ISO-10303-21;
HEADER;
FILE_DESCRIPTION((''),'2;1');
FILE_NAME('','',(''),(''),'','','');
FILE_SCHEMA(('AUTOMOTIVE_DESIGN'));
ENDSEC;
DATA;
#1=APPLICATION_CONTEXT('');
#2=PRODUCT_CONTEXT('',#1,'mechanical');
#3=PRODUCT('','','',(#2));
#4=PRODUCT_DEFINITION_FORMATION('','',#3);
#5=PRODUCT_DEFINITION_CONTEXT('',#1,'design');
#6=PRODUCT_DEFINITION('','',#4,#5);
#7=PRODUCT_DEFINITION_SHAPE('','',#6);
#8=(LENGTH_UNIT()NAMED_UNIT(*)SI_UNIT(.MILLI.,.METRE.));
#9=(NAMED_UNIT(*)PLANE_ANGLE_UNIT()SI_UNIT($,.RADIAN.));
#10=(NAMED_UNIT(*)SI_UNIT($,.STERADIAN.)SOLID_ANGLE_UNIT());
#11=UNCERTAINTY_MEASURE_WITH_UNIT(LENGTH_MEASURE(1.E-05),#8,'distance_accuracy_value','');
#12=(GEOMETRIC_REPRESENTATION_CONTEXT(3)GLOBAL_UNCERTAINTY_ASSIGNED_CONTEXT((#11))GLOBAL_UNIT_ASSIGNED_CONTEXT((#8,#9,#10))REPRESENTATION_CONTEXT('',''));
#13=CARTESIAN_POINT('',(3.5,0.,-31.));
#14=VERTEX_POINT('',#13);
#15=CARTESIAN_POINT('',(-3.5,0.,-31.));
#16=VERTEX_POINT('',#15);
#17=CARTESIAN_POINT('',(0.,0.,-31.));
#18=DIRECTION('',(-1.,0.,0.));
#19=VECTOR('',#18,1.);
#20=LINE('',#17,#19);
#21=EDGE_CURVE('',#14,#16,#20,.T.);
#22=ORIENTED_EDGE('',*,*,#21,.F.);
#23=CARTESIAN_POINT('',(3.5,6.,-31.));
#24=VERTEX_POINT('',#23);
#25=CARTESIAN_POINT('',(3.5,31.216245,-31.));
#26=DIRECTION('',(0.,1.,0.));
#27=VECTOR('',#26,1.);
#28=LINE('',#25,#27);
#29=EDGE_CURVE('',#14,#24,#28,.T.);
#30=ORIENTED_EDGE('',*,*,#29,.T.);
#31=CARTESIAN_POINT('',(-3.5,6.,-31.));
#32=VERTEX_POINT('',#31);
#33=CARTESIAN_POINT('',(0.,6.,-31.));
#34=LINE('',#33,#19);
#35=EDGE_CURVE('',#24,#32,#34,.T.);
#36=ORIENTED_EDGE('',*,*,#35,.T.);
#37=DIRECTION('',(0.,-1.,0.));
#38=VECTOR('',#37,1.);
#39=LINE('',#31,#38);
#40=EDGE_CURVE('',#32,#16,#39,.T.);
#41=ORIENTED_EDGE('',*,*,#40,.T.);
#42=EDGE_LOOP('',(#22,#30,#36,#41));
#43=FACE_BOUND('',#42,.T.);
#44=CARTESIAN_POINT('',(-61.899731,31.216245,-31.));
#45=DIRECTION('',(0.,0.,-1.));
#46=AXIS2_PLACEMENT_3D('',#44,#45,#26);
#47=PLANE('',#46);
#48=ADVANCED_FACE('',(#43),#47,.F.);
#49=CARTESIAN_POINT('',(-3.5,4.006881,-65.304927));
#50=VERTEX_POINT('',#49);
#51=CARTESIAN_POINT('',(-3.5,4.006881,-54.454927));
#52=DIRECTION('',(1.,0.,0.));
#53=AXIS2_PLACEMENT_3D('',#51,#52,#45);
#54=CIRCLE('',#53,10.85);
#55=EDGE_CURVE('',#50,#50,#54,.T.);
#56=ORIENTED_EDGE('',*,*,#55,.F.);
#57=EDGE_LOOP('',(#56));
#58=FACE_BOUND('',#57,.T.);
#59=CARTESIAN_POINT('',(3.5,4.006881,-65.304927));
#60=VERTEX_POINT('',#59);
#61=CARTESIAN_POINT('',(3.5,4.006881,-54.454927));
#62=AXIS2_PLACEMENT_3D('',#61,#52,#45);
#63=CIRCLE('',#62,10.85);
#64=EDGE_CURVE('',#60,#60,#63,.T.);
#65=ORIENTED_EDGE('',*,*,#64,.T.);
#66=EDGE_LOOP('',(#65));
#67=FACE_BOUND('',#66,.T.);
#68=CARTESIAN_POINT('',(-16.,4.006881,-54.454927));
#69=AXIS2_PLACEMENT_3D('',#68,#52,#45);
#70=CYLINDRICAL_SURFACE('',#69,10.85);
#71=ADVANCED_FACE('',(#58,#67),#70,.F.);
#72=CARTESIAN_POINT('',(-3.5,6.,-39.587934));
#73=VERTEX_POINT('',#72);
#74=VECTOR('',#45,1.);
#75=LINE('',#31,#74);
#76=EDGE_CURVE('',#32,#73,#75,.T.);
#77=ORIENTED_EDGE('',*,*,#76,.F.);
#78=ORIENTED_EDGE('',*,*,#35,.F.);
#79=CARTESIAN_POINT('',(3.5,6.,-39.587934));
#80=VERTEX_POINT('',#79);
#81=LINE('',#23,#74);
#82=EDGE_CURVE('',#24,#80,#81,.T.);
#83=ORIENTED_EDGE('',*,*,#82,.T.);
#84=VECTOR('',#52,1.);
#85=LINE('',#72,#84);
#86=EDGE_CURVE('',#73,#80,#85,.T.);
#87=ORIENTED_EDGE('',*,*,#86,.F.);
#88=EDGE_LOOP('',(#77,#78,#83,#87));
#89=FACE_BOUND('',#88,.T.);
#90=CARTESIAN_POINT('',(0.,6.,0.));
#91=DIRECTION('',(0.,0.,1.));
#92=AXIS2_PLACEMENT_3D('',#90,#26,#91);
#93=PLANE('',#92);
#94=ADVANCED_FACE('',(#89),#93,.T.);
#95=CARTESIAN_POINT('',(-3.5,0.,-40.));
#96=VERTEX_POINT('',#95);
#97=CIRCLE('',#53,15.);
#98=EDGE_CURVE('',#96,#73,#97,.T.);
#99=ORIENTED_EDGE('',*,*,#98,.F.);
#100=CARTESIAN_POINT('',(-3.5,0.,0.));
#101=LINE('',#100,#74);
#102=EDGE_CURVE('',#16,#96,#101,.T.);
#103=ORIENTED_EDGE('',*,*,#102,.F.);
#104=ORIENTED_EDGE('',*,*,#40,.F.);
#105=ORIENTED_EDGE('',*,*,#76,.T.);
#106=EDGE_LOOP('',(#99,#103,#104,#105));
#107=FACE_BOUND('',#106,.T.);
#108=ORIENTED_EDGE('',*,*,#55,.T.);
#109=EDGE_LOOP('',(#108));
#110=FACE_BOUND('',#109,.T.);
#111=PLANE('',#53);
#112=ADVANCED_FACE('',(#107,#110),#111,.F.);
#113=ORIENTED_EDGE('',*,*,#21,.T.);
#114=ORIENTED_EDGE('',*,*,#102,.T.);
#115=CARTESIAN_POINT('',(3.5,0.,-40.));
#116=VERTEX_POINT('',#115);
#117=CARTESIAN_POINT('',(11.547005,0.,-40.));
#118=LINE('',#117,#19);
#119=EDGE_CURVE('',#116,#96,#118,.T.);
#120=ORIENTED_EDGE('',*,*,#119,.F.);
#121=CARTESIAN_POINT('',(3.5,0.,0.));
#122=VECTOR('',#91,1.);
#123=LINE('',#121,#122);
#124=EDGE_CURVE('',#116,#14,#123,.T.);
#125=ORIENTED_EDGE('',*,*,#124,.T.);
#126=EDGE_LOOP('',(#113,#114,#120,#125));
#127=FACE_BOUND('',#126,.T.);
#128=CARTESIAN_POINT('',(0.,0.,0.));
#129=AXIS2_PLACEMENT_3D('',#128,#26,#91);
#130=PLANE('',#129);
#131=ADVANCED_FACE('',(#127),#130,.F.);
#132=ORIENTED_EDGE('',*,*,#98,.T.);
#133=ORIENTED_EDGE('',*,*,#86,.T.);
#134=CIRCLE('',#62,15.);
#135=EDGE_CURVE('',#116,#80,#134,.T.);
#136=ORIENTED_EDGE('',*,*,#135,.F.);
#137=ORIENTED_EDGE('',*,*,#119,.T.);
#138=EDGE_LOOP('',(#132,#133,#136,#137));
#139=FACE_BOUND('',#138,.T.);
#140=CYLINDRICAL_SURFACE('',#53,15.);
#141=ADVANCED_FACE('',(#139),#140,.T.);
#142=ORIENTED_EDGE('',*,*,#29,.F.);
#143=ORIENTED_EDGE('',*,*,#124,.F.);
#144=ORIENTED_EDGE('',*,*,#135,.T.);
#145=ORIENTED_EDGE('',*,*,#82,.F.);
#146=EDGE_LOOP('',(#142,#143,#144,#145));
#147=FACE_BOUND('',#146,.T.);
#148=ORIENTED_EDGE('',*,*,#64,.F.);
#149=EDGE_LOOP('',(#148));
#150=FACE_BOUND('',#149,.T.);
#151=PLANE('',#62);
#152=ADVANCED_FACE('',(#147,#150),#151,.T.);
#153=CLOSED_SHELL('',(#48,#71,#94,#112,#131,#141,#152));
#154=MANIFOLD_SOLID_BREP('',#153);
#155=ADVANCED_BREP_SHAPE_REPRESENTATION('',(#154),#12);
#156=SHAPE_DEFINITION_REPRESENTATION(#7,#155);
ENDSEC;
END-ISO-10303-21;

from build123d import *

# Parameters (mm, degrees)
BOSS_EXTRUDE1_DEPTH      = 6
SKETCH2_R                = 5
CUT_EXTRUDE1_DEPTH       = 107
BOSS_EXTRUDE2_DEPTH      = 3.5
BOSS_EXTRUDE2_DEPTH_BACK = 3.5
SKETCH3_R                = 15
SKETCH4_R                = 10.85
CUT_EXTRUDE2_DEPTH       = 19.5
CIRPATTERN1_COUNT        = 3
SKETCH6_R                = 5
BOSS_EXTRUDE3_DEPTH      = 34
CUT_EXTRUDE5_DEPTH       = 103.68939394
CUT_EXTRUDE5_DEPTH_BACK  = 103.68939394
SKETCH12_W               = 81.781179221
SKETCH12_H               = 82.49231991
CUT_EXTRUDE6_DEPTH       = 39.848263365
CUT_EXTRUDE6_DEPTH_BACK  = 39.848263365
SKETCH13_W               = 17.873677222
SKETCH13_H               = 13.388121455
SKETCH13_W_2             = 15.899401816
SKETCH13_H_2             = 11.800117324


with BuildPart() as part:
    # Sketch1 → Boss-Extrude1 (new body)
    with BuildSketch(Plane(origin=(0, 0, 0), x_dir=(1, 0, 0), z_dir=(0, 1, 0))):
        Polygon((-11.547005384, 40), (-40.414518843, -10), (-28.867513459, -30), (28.867513459, -30), (40.414518843, -10), (11.547005384, 40), align=None)
    extrude(amount=BOSS_EXTRUDE1_DEPTH)

    # Sketch2 → Cut-Extrude1 (cut)
    with BuildSketch(Plane(origin=(0, 6, 0), x_dir=(1, 0, 0), z_dir=(0, 1, 0))):
        Circle(SKETCH2_R)
    extrude(amount=-CUT_EXTRUDE1_DEPTH, mode=Mode.SUBTRACT)

    # Sketch3 → Boss-Extrude2 (add, two sides: drawn at the far end of the back side and taken through both)
    with BuildSketch(Plane(origin=(0, 0, 0), x_dir=(0, 0, -1), z_dir=(1, 0, 0)).offset(-BOSS_EXTRUDE2_DEPTH_BACK)):
        with Locations((54.454926612, 4.00688116)):
            Circle(SKETCH3_R)
    extrude(amount=BOSS_EXTRUDE2_DEPTH + BOSS_EXTRUDE2_DEPTH_BACK)

    # Sketch4 → Cut-Extrude2 (cut)
    with BuildSketch(Plane(origin=(3.5, 0, 0), x_dir=(0, 0, -1), z_dir=(1, 0, 0))):
        with Locations((54.454926612, 4.00688116)):
            Circle(SKETCH4_R)
    extrude(amount=-CUT_EXTRUDE2_DEPTH, mode=Mode.SUBTRACT)


with BuildPart() as cirpattern1_1:
    # CirPattern1: pattern copy
    add(part.part.rotate(Axis((0, -101, 0), (0, 1, 0)), 1 * 360 / CIRPATTERN1_COUNT))


with BuildPart() as cirpattern1_2:
    # CirPattern1: pattern copy
    add(part.part.rotate(Axis((0, -101, 0), (0, 1, 0)), 2 * 360 / CIRPATTERN1_COUNT))


with BuildPart() as part_1:
    add(part.part)

    add(cirpattern1_1.part)  # Boss-Extrude3 merges CirPattern1_1

    add(cirpattern1_2.part)  # Boss-Extrude3 merges CirPattern1_2
    # Sketch6 → Boss-Extrude3 (add)
    with BuildSketch(Plane(origin=(0, 6, 0), x_dir=(1, 0, 0), z_dir=(0, 1, 0))):
        Circle(SKETCH6_R)
    extrude(amount=-BOSS_EXTRUDE3_DEPTH)


with BuildPart() as body_2:
    # Sketch8 → Revolve1 (revolve)
    with BuildSketch(Plane(origin=(0, -28, 0), x_dir=(-1, 0, 0), z_dir=(0, -1, 0))):
        with BuildLine():
            Line((0, 10), (0, -10))
            ThreePointArc((0, -10), (10, 0), (0, 10))
        make_face()
    revolve(axis=Axis((0, -28, 0), (0, 0, -1)))


with BuildPart() as cut_extrude5_tool:
    # Sketch12 → Cut-Extrude5 (new, two sides: drawn at the far end of the back side and taken through both)
    with BuildSketch(Plane(origin=(3.5, 0, 0), x_dir=(0, 0, -1), z_dir=(1, 0, 0)).offset(-CUT_EXTRUDE5_DEPTH_BACK)):
        with Locations((-9.89058961, -10.029914937)):
            Rectangle(SKETCH12_W, SKETCH12_H)
    extrude(amount=CUT_EXTRUDE5_DEPTH + CUT_EXTRUDE5_DEPTH_BACK)


with BuildPart() as part_2:
    add(part_1.part)

    # Cut-Extrude5: cut by cut_extrude5_tool
    add(cut_extrude5_tool.part, mode=Mode.SUBTRACT)

    # Sketch13 → Cut-Extrude6 (cut, two sides: drawn at the far end of the back side and taken through both)
    with BuildSketch(Plane(origin=(0, 0, -40), x_dir=(-1, 0, 0), z_dir=(0, 0, -1)).offset(-CUT_EXTRUDE6_DEPTH_BACK)):
        with Locations((12.436838611, -0.694060728)):
            Rectangle(SKETCH13_W, SKETCH13_H)
        with Locations((-11.449700908, 0.099941338)):
            Rectangle(SKETCH13_W_2, SKETCH13_H_2)
    extrude(amount=CUT_EXTRUDE6_DEPTH + CUT_EXTRUDE6_DEPTH_BACK, mode=Mode.SUBTRACT)


with BuildPart() as body_2_1:
    add(body_2.part)

    # Cut-Extrude5: cut by cut_extrude5_tool
    add(cut_extrude5_tool.part, mode=Mode.SUBTRACT)


solid = part_2.part
